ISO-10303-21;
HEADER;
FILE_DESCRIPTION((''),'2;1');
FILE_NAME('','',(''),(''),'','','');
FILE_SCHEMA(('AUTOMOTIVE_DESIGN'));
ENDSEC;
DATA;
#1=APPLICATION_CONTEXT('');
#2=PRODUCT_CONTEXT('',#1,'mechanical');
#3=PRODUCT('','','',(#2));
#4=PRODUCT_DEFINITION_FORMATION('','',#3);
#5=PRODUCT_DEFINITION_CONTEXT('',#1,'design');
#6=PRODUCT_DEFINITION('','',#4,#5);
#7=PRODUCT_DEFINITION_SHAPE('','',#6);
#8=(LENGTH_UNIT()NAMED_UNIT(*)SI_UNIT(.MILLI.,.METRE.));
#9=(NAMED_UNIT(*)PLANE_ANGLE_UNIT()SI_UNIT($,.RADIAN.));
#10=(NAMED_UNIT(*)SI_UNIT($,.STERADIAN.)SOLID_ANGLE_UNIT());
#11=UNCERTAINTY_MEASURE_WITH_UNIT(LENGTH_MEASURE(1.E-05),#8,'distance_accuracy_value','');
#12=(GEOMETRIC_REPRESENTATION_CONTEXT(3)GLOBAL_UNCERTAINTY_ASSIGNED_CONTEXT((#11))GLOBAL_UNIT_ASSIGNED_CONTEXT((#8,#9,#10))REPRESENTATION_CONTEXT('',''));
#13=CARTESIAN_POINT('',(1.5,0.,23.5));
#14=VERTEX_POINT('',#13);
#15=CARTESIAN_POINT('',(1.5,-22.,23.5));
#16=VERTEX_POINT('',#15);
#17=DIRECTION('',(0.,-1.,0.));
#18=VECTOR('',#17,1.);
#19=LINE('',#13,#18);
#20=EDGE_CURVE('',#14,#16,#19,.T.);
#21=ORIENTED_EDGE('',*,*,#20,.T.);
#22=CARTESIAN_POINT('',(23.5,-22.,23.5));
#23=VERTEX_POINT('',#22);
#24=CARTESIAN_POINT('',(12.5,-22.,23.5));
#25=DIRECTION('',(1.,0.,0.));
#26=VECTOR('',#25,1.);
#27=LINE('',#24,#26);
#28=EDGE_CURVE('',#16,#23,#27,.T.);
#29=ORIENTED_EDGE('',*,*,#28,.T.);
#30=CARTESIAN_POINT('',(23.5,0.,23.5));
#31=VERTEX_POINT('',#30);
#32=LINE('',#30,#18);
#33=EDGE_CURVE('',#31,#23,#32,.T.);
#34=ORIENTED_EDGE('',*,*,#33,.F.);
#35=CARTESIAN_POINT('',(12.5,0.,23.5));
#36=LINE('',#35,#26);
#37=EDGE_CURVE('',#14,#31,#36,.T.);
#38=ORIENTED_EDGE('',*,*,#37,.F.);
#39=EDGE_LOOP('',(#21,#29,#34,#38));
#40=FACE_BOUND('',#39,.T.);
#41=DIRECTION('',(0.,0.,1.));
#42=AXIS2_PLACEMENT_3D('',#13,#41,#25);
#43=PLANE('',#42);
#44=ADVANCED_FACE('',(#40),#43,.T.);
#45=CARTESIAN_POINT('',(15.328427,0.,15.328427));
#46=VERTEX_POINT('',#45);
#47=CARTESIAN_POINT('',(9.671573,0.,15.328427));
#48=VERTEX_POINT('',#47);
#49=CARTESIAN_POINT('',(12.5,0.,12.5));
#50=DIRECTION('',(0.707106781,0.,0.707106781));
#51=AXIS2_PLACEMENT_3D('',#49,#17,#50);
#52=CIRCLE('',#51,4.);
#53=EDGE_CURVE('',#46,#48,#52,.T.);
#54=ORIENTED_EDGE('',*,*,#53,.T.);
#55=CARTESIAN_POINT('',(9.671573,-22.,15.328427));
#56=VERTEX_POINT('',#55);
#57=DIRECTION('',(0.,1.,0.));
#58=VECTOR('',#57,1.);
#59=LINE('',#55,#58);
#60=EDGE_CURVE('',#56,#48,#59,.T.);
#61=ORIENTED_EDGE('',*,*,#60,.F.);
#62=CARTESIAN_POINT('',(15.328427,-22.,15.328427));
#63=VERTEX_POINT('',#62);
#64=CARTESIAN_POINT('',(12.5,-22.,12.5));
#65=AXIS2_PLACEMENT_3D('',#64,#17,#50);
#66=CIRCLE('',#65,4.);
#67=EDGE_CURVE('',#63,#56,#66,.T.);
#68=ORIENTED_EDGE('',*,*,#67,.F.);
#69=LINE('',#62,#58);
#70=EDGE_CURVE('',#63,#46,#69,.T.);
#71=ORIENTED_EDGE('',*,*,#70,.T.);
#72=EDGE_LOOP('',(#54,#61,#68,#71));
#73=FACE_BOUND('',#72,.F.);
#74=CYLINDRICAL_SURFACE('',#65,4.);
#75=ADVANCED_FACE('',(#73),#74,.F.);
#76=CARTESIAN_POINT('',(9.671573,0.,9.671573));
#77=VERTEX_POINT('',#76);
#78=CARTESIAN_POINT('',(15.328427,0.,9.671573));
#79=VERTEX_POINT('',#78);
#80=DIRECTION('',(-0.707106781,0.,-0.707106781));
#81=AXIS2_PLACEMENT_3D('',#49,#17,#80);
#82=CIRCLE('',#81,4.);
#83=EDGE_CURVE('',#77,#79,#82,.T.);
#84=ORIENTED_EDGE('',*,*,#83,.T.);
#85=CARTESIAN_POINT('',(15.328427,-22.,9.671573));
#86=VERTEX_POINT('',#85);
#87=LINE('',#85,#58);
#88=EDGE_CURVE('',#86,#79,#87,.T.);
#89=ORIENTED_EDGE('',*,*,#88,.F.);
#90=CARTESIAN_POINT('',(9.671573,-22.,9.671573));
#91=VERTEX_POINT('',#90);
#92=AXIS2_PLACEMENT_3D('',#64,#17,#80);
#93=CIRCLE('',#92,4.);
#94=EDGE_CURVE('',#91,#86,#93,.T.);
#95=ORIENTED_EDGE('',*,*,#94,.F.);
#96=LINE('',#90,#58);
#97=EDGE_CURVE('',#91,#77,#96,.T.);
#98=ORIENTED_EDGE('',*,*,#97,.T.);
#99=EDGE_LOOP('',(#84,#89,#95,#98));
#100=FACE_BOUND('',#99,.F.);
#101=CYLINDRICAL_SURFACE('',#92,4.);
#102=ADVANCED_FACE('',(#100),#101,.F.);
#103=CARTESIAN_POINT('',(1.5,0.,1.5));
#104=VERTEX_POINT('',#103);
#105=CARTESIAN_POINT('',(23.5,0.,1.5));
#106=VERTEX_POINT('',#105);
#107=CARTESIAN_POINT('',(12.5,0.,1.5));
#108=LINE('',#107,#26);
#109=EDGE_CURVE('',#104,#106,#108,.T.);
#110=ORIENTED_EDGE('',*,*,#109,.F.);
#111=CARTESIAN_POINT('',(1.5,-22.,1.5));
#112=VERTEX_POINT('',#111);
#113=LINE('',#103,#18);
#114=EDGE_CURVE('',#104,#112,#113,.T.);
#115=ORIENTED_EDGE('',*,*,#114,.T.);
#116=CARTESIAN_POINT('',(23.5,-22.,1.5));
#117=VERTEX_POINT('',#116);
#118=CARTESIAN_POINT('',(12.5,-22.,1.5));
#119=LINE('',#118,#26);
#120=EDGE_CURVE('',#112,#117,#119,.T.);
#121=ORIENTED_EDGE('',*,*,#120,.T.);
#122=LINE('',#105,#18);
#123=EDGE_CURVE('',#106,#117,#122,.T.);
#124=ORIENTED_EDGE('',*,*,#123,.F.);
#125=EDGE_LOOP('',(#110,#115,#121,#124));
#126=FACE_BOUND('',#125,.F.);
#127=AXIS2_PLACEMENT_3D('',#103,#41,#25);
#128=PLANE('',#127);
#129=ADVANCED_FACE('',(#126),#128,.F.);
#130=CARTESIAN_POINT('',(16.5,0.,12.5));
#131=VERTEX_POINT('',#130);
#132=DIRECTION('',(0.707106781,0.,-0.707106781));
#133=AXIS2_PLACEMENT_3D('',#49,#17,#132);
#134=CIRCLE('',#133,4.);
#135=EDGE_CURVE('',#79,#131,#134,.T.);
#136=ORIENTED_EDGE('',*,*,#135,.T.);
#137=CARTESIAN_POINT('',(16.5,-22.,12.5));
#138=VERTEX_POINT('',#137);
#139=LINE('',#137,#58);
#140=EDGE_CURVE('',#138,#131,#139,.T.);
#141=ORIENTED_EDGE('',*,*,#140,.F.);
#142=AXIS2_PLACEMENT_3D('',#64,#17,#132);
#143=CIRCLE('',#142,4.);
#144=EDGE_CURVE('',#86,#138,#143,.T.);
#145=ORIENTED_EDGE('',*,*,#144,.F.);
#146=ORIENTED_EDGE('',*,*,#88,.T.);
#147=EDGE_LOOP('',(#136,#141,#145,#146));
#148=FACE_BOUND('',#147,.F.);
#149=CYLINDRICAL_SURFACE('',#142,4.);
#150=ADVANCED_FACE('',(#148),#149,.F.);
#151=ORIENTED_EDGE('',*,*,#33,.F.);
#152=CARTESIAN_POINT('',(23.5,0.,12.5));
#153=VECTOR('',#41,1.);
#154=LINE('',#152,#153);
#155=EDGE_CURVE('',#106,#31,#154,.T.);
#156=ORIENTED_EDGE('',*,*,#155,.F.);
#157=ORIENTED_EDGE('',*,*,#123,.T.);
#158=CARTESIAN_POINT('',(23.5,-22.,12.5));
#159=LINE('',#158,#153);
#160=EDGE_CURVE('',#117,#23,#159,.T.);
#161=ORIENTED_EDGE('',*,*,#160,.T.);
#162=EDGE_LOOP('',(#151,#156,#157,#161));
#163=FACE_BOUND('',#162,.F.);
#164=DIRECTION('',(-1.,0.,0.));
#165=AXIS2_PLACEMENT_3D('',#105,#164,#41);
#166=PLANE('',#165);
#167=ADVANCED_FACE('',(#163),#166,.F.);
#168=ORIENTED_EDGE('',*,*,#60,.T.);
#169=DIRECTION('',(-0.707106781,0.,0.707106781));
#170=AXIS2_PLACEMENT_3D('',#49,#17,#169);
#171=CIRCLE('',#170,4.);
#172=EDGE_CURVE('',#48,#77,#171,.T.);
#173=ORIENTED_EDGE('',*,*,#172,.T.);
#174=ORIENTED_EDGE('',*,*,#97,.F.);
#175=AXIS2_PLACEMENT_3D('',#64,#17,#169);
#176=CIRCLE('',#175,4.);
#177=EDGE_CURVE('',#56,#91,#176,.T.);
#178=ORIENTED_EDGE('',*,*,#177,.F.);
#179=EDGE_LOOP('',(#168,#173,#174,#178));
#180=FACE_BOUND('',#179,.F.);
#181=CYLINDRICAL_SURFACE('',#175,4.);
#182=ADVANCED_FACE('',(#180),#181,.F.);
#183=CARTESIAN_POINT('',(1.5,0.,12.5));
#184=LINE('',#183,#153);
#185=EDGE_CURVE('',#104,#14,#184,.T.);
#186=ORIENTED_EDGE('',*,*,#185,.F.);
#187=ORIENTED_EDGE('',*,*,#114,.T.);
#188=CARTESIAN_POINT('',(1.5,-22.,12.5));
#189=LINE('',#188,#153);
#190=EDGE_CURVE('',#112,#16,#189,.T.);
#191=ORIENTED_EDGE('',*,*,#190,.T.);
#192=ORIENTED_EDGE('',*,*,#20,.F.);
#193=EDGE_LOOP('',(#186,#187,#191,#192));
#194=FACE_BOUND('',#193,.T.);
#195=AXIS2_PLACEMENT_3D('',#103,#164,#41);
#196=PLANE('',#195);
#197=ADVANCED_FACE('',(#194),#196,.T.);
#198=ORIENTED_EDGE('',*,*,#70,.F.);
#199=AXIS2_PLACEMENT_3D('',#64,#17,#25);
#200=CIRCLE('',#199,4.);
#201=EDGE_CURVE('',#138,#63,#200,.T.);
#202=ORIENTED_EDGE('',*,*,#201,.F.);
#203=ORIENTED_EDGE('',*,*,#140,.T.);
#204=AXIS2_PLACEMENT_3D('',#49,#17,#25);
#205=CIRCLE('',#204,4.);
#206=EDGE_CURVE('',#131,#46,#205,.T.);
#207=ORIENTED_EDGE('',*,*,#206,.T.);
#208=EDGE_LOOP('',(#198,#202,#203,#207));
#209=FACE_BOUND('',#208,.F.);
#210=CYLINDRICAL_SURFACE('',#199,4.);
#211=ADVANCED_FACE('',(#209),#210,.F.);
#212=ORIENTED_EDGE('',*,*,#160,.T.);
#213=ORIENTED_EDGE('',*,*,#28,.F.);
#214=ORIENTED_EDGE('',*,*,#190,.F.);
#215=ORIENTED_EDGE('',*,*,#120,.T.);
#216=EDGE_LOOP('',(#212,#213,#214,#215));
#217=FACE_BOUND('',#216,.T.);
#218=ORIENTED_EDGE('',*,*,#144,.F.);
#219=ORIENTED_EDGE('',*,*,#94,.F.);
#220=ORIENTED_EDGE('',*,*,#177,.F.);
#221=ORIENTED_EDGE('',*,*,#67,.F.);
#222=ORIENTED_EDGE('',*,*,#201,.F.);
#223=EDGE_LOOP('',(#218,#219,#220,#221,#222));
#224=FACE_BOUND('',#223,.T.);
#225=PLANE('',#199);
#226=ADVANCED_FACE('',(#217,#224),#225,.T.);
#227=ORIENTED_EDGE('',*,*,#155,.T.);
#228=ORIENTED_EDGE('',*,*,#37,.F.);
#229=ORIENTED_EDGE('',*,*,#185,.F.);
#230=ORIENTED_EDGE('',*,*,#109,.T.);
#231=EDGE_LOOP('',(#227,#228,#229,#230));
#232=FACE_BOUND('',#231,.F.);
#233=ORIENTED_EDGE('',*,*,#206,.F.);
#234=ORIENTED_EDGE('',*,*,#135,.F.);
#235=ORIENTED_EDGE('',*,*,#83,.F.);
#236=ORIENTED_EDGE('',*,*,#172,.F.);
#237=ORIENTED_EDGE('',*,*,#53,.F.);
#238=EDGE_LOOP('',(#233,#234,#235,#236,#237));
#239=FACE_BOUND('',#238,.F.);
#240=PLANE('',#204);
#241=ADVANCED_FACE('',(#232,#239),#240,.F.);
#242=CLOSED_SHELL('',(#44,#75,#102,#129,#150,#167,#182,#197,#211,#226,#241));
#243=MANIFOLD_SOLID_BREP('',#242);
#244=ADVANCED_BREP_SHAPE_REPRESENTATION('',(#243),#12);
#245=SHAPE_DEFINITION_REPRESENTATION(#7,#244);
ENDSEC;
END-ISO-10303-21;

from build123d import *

# Parameters (mm, degrees)
F0_W     = 22
F0_H     = 22
F1_DEPTH = 22
F5_DEPTH = 22.001


with BuildPart() as f1:
    # F0 (on Front) → F1 (new body)
    with BuildSketch(Plane.XZ):
        with Locations((12.5, 12.5)):
            Rectangle(F0_W, F0_H)
    extrude(amount=F1_DEPTH)

    # F2 (on face) → F5 (cut, through all)
    with BuildSketch(Plane.XZ.offset(22)):
        with BuildLine():
            Line((15.3284271247, 15.3284271247), (12.5, 12.5))
            Line((12.5, 12.5), (15.3284271247, 9.6715728753))
            ThreePointArc((15.3284271247, 9.6715728753), (16.19551813, 10.9692662705), (16.5, 12.5))
            ThreePointArc((16.5, 12.5), (16.19551813, 14.0307337295), (15.3284271247, 15.3284271247))
        make_face()
        with BuildLine():
            ThreePointArc((15.3284271247, 15.3284271247), (12.5, 16.5), (9.6715728753, 15.3284271247))
            Line((9.6715728753, 15.3284271247), (12.5, 12.5))
            Line((12.5, 12.5), (15.3284271247, 15.3284271247))
        make_face()
        with BuildLine():
            Line((12.5, 12.5), (9.6715728753, 15.3284271247))
            ThreePointArc((9.6715728753, 15.3284271247), (8.5, 12.5), (9.6715728753, 9.6715728753))
            Line((9.6715728753, 9.6715728753), (12.5, 12.5))
        make_face()
        with BuildLine():
            Line((15.3284271247, 9.6715728753), (12.5, 12.5))
            Line((12.5, 12.5), (9.6715728753, 9.6715728753))
            ThreePointArc((9.6715728753, 9.6715728753), (12.5, 8.5), (15.3284271247, 9.6715728753))
        make_face()
    extrude(amount=-F5_DEPTH, mode=Mode.SUBTRACT)


solid = f1.part
